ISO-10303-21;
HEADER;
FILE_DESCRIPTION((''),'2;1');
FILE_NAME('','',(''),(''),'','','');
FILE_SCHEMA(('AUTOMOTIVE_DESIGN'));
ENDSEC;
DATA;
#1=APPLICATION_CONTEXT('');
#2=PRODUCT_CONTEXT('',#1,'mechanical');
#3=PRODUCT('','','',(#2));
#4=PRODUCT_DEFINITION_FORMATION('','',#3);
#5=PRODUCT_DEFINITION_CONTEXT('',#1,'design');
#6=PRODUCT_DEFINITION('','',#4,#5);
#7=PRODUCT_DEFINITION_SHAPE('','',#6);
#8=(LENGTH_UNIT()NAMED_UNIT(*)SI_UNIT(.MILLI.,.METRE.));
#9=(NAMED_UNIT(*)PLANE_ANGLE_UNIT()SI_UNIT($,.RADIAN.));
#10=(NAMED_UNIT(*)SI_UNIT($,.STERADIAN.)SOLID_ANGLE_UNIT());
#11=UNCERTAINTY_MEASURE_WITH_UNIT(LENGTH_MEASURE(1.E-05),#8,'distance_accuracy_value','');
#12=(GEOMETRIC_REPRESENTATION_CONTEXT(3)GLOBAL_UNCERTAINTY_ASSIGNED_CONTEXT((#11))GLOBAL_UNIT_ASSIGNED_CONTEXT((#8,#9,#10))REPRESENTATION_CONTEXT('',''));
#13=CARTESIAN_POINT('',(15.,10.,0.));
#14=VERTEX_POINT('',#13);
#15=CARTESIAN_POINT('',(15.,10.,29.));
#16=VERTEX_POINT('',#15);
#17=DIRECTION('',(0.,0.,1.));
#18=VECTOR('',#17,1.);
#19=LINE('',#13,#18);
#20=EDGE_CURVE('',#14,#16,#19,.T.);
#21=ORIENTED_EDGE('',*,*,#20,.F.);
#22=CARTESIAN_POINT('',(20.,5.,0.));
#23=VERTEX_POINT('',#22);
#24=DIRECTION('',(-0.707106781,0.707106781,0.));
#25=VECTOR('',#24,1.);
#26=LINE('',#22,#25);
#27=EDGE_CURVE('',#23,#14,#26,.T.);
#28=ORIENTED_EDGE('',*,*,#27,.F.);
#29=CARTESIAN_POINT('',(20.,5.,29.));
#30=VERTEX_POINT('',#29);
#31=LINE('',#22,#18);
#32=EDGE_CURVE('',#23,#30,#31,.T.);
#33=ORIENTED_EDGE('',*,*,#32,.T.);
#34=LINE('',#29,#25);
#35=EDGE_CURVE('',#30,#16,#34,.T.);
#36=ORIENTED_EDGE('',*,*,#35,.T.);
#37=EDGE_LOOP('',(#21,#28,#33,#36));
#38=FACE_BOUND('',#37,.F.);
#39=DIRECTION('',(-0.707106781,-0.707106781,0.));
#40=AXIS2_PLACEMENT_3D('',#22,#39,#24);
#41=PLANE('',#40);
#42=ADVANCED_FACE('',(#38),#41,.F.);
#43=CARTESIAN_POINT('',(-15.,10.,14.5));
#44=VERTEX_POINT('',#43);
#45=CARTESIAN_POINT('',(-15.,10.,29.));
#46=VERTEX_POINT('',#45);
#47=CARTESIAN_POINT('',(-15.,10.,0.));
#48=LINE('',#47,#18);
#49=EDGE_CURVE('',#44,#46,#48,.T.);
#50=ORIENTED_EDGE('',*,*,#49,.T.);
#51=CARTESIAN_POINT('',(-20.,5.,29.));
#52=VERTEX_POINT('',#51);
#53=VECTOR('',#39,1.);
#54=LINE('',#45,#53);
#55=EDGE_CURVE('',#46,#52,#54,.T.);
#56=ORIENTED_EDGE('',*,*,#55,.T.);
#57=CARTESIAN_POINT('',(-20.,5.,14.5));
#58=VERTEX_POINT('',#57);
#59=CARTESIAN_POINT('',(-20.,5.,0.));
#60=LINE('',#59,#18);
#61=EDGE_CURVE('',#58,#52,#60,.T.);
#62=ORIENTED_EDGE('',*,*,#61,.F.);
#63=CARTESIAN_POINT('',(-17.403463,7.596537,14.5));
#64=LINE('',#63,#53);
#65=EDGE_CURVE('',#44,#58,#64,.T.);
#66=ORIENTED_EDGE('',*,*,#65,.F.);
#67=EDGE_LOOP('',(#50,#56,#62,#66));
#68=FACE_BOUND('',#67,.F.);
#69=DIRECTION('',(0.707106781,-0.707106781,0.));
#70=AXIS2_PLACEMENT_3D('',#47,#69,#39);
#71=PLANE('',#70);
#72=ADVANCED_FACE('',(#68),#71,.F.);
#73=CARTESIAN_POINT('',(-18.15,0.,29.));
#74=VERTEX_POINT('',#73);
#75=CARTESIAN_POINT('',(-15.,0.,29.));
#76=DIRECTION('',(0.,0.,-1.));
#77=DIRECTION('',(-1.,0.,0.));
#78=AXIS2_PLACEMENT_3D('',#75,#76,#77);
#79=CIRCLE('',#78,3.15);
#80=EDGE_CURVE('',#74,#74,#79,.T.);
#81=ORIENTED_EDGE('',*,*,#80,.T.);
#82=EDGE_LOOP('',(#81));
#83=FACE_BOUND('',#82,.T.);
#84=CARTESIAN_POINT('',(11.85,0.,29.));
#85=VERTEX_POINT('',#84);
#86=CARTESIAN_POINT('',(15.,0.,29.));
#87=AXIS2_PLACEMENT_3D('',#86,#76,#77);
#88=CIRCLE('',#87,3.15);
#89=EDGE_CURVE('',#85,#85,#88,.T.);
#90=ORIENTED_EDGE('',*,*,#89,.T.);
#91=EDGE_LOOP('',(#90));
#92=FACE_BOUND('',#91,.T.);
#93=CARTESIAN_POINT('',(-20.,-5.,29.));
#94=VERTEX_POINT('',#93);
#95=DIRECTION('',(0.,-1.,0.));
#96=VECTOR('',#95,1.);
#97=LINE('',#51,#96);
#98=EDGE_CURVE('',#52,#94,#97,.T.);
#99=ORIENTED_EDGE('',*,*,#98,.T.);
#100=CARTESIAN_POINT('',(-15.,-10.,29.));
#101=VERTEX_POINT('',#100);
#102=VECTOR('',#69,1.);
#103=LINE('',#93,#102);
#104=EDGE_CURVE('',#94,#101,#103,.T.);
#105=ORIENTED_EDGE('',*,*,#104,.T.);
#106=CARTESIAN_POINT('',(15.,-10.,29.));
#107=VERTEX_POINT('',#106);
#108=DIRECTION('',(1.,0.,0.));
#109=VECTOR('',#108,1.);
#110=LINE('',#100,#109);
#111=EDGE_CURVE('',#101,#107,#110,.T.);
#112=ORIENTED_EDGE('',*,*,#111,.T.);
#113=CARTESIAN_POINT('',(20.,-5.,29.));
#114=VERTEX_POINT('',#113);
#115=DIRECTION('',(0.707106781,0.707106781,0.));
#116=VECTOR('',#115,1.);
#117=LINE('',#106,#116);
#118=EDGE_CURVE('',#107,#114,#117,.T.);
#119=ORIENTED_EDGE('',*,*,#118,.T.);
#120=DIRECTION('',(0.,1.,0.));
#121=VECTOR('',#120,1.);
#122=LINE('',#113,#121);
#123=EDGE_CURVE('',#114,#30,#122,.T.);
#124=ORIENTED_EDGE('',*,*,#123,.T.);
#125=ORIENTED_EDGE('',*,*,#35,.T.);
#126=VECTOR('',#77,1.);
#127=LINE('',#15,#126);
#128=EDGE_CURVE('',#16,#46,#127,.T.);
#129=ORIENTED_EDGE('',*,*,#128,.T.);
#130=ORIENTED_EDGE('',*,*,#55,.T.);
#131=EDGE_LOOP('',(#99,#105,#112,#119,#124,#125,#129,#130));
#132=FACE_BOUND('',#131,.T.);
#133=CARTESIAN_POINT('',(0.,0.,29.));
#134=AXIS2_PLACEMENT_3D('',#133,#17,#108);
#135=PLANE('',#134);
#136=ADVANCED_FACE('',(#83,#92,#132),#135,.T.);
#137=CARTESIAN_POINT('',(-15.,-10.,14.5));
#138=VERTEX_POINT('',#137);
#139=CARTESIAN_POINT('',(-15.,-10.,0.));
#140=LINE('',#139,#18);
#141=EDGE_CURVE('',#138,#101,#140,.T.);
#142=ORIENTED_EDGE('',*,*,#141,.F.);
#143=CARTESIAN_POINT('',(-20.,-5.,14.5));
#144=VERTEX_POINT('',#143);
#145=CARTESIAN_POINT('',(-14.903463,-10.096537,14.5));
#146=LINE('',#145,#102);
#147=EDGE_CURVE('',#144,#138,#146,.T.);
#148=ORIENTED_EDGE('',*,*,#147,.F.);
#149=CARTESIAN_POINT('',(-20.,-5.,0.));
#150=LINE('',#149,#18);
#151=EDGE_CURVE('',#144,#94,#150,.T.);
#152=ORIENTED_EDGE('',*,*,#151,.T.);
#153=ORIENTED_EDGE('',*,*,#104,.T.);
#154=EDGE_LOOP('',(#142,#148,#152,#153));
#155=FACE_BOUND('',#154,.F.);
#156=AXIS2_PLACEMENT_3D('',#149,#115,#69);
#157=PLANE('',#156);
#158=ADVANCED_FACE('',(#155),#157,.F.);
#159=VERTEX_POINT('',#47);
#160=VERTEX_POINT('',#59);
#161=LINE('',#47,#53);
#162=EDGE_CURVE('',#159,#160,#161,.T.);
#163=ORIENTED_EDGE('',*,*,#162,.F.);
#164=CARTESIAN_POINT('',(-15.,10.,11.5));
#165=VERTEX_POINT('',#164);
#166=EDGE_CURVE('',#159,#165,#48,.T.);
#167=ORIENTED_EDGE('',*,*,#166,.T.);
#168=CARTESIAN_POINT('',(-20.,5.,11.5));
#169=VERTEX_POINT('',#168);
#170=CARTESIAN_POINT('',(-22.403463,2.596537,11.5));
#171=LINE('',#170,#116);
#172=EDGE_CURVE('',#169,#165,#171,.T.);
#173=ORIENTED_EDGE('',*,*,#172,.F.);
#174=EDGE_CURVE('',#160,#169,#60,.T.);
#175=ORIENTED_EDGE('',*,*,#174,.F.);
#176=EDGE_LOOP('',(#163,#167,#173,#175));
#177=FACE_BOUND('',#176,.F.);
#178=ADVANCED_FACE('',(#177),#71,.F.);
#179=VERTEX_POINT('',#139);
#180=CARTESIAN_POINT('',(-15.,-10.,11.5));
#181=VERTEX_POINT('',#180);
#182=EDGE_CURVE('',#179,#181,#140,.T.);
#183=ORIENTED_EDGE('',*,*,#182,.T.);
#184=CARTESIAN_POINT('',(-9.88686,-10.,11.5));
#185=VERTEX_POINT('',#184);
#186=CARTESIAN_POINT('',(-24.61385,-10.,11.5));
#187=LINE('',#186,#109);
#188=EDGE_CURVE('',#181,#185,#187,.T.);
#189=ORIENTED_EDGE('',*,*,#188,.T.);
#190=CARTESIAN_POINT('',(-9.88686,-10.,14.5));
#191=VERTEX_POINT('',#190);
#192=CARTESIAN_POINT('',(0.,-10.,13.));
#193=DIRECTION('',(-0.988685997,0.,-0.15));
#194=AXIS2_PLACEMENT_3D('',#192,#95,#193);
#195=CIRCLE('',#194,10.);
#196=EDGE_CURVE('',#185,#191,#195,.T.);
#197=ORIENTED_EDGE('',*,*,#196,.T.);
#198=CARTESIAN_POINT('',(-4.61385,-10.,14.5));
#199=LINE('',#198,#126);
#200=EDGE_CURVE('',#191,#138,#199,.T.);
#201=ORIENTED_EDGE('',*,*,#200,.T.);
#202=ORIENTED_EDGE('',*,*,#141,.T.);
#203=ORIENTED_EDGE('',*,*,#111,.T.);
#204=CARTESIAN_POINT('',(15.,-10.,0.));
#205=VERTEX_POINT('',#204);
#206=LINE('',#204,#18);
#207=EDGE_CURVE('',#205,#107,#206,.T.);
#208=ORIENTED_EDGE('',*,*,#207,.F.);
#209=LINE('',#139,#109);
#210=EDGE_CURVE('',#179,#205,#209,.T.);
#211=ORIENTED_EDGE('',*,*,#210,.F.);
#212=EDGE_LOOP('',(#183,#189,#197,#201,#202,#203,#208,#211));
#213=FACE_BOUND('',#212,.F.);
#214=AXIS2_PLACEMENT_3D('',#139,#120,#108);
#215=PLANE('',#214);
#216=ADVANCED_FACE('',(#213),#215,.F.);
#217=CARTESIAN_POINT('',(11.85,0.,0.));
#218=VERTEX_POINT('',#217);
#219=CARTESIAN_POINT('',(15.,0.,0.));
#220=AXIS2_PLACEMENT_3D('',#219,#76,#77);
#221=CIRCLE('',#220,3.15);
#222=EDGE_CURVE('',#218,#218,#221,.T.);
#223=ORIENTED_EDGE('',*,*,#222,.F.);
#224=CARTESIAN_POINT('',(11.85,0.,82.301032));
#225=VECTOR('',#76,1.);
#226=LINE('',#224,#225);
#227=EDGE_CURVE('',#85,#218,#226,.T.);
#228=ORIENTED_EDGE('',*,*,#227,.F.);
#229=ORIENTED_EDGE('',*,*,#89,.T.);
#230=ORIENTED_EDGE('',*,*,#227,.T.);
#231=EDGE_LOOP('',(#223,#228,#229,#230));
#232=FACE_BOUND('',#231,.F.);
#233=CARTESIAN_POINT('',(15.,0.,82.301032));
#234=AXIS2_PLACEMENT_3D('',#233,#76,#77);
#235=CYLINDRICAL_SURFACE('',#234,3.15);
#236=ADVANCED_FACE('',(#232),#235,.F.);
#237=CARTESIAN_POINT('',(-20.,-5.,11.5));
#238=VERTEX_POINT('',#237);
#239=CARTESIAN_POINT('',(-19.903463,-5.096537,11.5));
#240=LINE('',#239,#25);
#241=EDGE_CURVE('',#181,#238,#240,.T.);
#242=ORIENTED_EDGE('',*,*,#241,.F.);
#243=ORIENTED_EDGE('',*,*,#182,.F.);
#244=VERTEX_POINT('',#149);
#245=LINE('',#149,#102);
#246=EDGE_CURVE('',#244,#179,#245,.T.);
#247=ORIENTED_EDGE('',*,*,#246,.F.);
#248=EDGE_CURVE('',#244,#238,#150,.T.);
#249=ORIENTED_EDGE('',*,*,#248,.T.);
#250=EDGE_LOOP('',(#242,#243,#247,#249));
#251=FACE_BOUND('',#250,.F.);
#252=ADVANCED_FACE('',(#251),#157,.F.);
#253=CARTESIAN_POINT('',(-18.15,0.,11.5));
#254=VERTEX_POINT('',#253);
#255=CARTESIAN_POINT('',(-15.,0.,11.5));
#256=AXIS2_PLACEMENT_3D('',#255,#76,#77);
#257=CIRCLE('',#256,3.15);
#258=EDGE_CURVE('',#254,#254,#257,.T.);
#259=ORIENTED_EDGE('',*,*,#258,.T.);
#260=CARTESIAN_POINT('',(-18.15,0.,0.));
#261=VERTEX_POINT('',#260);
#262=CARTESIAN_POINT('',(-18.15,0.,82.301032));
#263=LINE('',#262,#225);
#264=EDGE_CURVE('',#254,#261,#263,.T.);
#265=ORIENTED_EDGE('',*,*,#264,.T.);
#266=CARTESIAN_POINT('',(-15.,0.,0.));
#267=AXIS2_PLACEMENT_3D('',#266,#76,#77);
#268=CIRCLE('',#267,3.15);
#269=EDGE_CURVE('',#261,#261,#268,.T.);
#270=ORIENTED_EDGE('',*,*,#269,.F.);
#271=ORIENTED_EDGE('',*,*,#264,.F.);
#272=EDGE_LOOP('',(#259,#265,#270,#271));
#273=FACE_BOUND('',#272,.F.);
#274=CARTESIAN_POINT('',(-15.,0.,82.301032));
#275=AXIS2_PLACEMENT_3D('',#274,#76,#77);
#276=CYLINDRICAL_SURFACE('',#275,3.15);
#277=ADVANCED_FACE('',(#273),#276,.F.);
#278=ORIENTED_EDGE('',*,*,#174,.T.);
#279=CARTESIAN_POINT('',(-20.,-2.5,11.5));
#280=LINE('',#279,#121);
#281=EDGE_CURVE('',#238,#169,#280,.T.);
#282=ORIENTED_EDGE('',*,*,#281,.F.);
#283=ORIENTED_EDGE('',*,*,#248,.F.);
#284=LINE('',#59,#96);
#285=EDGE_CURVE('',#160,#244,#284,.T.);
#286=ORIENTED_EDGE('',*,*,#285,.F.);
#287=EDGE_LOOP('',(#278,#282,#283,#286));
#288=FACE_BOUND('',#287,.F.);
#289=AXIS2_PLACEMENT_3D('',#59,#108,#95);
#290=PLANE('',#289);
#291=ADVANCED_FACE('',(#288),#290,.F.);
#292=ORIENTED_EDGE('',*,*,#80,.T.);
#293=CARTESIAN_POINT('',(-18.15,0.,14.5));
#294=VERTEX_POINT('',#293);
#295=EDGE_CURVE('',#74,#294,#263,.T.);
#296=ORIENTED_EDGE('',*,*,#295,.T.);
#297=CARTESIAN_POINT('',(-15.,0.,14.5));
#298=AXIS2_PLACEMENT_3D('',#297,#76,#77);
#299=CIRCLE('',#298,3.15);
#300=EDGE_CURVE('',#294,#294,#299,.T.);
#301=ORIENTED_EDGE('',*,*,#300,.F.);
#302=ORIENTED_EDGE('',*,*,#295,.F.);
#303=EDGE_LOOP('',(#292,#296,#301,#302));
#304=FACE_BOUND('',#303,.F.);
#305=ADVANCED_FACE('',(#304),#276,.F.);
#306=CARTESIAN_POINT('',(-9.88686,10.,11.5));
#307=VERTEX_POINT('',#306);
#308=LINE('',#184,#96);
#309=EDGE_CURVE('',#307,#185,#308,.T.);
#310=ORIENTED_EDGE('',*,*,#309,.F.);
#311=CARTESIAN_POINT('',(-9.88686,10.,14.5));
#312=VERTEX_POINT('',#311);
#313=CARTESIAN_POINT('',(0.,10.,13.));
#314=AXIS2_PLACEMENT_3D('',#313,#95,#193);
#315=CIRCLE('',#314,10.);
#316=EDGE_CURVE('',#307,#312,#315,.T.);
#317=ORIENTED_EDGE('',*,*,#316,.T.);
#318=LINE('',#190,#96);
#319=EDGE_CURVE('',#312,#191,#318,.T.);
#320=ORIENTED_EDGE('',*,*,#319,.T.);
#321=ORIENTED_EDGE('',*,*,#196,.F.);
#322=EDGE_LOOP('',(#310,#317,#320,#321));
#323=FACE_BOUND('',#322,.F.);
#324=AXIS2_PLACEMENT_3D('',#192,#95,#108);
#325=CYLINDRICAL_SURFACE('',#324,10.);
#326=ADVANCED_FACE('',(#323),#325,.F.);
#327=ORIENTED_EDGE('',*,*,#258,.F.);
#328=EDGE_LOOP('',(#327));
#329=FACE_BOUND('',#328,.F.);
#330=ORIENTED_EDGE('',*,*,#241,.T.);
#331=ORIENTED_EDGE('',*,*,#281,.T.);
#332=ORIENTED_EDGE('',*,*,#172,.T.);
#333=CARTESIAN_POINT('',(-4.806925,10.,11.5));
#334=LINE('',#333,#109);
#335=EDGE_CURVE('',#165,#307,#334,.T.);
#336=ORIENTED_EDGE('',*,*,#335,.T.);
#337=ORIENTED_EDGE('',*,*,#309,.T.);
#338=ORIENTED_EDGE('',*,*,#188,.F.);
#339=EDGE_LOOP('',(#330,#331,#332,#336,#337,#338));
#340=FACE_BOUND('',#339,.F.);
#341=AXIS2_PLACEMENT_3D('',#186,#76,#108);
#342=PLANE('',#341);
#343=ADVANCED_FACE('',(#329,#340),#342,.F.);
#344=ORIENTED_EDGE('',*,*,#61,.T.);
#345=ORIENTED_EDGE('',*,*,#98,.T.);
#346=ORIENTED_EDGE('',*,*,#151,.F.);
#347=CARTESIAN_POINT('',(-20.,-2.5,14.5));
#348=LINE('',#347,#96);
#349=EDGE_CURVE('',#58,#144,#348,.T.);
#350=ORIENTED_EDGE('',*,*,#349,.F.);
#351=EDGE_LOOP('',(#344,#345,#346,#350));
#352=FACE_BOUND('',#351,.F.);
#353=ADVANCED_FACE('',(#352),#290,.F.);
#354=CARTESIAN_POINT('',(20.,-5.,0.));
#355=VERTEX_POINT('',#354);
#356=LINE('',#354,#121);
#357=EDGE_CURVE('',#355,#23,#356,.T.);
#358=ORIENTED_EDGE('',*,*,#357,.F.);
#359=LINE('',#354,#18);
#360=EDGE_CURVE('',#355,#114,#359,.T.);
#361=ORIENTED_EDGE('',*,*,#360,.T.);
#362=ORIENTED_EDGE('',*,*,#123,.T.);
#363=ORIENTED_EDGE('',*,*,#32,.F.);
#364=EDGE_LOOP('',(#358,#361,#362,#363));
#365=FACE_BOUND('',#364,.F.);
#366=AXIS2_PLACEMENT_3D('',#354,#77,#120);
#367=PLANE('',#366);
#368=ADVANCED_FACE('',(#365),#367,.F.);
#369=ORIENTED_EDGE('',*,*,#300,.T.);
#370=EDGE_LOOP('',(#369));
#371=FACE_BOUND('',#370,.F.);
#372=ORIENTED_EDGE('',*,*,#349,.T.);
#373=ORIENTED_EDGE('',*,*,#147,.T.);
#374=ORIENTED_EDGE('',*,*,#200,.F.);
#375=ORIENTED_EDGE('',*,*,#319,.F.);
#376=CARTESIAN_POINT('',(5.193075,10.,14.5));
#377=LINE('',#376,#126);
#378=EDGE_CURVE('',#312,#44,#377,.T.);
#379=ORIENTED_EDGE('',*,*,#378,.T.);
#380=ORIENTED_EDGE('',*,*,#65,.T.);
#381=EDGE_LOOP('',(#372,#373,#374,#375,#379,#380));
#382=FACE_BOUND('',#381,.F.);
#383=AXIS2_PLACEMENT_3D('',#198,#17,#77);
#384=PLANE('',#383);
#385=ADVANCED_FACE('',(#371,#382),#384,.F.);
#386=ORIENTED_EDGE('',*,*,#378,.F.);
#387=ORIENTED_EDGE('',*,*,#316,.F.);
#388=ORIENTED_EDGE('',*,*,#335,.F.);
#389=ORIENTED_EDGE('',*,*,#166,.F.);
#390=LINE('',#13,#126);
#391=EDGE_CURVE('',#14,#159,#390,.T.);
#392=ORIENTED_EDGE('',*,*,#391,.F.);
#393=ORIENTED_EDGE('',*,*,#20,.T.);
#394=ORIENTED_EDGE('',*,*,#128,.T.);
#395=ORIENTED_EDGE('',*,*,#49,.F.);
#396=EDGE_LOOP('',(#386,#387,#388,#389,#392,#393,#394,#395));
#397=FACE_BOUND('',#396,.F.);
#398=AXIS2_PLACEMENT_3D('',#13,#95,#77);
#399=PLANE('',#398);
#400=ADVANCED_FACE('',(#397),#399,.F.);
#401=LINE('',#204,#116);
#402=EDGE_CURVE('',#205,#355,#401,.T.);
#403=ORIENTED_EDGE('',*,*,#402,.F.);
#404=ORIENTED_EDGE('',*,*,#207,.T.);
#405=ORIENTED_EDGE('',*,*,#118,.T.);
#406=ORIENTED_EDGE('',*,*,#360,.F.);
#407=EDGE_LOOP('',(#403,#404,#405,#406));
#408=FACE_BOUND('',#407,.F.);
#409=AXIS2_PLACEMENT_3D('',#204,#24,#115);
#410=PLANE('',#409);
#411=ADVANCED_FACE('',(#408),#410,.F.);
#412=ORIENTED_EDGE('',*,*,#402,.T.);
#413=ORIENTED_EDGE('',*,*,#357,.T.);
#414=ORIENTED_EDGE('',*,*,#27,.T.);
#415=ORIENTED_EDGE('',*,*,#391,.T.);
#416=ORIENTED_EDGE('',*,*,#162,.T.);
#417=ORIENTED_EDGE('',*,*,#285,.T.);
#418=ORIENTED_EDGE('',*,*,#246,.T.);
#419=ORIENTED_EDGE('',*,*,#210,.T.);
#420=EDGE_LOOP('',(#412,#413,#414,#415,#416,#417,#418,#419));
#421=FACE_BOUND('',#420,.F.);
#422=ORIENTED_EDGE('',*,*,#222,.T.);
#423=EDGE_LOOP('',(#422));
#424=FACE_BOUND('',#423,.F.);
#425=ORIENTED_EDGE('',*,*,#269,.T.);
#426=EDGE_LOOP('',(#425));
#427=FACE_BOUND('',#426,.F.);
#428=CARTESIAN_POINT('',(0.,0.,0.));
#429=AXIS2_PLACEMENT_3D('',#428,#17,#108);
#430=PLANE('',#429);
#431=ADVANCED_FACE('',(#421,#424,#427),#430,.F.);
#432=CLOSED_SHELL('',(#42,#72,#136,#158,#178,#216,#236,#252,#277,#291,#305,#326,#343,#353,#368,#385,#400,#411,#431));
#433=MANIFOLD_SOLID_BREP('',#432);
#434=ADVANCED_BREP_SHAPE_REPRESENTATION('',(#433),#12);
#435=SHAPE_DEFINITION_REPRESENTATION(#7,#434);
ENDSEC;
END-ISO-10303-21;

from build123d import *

# Parameters (mm, degrees)
F1_DEPTH = 29
F2_R     = 10
F3_DEPTH = 20.001
F4_W     = 9.6138500422
F4_H     = 3
F5_DEPTH = 20.001
F7_D     = 6.3


with BuildPart() as f1:
    # F0 (on Top) → F1 (new body)
    with BuildSketch(Plane.XY):
        Polygon((20, 5), (15, 10), (-15, 10), (-20, 5), (-20, -5), (-15, -10), (15, -10), (20, -5), align=None)
    extrude(amount=F1_DEPTH)

    # F2 (on face) → F3 (cut, through all)
    with BuildSketch(Plane.XZ.offset(10)):
        with Locations((0, 13)):
            Circle(F2_R)
    extrude(amount=-F3_DEPTH, mode=Mode.SUBTRACT)

    # F4 (on face) → F5 (cut, through all)
    with BuildSketch(Plane.XZ.offset(10)):
        with Locations((-19.8069250211, 13)):
            Rectangle(F4_W, F4_H)
        with BuildLine():
            Line((-9.8868599666, 11.5), (-4.6138500422, 11.5))
            Line((-4.6138500422, 11.5), (-4.6138500422, 14.5))
            Line((-4.6138500422, 14.5), (-9.8868599666, 14.5))
            ThreePointArc((-9.8868599666, 14.5), (-10, 13), (-9.8868599666, 11.5))
        make_face()
        with BuildLine():
            Line((-15, 11.5), (-9.8868599666, 11.5))
            ThreePointArc((-9.8868599666, 11.5), (-10, 13), (-9.8868599666, 14.5))
            Line((-9.8868599666, 14.5), (-15, 14.5))
            Line((-15, 14.5), (-15, 11.5))
        make_face()
    extrude(amount=-F5_DEPTH, mode=Mode.SUBTRACT)

    # F7 (through all)
    with Locations(Plane.XY.offset(29)):
        with Locations((-15, 0), (15, 0)):
            Hole(F7_D / 2)


solid = f1.part
